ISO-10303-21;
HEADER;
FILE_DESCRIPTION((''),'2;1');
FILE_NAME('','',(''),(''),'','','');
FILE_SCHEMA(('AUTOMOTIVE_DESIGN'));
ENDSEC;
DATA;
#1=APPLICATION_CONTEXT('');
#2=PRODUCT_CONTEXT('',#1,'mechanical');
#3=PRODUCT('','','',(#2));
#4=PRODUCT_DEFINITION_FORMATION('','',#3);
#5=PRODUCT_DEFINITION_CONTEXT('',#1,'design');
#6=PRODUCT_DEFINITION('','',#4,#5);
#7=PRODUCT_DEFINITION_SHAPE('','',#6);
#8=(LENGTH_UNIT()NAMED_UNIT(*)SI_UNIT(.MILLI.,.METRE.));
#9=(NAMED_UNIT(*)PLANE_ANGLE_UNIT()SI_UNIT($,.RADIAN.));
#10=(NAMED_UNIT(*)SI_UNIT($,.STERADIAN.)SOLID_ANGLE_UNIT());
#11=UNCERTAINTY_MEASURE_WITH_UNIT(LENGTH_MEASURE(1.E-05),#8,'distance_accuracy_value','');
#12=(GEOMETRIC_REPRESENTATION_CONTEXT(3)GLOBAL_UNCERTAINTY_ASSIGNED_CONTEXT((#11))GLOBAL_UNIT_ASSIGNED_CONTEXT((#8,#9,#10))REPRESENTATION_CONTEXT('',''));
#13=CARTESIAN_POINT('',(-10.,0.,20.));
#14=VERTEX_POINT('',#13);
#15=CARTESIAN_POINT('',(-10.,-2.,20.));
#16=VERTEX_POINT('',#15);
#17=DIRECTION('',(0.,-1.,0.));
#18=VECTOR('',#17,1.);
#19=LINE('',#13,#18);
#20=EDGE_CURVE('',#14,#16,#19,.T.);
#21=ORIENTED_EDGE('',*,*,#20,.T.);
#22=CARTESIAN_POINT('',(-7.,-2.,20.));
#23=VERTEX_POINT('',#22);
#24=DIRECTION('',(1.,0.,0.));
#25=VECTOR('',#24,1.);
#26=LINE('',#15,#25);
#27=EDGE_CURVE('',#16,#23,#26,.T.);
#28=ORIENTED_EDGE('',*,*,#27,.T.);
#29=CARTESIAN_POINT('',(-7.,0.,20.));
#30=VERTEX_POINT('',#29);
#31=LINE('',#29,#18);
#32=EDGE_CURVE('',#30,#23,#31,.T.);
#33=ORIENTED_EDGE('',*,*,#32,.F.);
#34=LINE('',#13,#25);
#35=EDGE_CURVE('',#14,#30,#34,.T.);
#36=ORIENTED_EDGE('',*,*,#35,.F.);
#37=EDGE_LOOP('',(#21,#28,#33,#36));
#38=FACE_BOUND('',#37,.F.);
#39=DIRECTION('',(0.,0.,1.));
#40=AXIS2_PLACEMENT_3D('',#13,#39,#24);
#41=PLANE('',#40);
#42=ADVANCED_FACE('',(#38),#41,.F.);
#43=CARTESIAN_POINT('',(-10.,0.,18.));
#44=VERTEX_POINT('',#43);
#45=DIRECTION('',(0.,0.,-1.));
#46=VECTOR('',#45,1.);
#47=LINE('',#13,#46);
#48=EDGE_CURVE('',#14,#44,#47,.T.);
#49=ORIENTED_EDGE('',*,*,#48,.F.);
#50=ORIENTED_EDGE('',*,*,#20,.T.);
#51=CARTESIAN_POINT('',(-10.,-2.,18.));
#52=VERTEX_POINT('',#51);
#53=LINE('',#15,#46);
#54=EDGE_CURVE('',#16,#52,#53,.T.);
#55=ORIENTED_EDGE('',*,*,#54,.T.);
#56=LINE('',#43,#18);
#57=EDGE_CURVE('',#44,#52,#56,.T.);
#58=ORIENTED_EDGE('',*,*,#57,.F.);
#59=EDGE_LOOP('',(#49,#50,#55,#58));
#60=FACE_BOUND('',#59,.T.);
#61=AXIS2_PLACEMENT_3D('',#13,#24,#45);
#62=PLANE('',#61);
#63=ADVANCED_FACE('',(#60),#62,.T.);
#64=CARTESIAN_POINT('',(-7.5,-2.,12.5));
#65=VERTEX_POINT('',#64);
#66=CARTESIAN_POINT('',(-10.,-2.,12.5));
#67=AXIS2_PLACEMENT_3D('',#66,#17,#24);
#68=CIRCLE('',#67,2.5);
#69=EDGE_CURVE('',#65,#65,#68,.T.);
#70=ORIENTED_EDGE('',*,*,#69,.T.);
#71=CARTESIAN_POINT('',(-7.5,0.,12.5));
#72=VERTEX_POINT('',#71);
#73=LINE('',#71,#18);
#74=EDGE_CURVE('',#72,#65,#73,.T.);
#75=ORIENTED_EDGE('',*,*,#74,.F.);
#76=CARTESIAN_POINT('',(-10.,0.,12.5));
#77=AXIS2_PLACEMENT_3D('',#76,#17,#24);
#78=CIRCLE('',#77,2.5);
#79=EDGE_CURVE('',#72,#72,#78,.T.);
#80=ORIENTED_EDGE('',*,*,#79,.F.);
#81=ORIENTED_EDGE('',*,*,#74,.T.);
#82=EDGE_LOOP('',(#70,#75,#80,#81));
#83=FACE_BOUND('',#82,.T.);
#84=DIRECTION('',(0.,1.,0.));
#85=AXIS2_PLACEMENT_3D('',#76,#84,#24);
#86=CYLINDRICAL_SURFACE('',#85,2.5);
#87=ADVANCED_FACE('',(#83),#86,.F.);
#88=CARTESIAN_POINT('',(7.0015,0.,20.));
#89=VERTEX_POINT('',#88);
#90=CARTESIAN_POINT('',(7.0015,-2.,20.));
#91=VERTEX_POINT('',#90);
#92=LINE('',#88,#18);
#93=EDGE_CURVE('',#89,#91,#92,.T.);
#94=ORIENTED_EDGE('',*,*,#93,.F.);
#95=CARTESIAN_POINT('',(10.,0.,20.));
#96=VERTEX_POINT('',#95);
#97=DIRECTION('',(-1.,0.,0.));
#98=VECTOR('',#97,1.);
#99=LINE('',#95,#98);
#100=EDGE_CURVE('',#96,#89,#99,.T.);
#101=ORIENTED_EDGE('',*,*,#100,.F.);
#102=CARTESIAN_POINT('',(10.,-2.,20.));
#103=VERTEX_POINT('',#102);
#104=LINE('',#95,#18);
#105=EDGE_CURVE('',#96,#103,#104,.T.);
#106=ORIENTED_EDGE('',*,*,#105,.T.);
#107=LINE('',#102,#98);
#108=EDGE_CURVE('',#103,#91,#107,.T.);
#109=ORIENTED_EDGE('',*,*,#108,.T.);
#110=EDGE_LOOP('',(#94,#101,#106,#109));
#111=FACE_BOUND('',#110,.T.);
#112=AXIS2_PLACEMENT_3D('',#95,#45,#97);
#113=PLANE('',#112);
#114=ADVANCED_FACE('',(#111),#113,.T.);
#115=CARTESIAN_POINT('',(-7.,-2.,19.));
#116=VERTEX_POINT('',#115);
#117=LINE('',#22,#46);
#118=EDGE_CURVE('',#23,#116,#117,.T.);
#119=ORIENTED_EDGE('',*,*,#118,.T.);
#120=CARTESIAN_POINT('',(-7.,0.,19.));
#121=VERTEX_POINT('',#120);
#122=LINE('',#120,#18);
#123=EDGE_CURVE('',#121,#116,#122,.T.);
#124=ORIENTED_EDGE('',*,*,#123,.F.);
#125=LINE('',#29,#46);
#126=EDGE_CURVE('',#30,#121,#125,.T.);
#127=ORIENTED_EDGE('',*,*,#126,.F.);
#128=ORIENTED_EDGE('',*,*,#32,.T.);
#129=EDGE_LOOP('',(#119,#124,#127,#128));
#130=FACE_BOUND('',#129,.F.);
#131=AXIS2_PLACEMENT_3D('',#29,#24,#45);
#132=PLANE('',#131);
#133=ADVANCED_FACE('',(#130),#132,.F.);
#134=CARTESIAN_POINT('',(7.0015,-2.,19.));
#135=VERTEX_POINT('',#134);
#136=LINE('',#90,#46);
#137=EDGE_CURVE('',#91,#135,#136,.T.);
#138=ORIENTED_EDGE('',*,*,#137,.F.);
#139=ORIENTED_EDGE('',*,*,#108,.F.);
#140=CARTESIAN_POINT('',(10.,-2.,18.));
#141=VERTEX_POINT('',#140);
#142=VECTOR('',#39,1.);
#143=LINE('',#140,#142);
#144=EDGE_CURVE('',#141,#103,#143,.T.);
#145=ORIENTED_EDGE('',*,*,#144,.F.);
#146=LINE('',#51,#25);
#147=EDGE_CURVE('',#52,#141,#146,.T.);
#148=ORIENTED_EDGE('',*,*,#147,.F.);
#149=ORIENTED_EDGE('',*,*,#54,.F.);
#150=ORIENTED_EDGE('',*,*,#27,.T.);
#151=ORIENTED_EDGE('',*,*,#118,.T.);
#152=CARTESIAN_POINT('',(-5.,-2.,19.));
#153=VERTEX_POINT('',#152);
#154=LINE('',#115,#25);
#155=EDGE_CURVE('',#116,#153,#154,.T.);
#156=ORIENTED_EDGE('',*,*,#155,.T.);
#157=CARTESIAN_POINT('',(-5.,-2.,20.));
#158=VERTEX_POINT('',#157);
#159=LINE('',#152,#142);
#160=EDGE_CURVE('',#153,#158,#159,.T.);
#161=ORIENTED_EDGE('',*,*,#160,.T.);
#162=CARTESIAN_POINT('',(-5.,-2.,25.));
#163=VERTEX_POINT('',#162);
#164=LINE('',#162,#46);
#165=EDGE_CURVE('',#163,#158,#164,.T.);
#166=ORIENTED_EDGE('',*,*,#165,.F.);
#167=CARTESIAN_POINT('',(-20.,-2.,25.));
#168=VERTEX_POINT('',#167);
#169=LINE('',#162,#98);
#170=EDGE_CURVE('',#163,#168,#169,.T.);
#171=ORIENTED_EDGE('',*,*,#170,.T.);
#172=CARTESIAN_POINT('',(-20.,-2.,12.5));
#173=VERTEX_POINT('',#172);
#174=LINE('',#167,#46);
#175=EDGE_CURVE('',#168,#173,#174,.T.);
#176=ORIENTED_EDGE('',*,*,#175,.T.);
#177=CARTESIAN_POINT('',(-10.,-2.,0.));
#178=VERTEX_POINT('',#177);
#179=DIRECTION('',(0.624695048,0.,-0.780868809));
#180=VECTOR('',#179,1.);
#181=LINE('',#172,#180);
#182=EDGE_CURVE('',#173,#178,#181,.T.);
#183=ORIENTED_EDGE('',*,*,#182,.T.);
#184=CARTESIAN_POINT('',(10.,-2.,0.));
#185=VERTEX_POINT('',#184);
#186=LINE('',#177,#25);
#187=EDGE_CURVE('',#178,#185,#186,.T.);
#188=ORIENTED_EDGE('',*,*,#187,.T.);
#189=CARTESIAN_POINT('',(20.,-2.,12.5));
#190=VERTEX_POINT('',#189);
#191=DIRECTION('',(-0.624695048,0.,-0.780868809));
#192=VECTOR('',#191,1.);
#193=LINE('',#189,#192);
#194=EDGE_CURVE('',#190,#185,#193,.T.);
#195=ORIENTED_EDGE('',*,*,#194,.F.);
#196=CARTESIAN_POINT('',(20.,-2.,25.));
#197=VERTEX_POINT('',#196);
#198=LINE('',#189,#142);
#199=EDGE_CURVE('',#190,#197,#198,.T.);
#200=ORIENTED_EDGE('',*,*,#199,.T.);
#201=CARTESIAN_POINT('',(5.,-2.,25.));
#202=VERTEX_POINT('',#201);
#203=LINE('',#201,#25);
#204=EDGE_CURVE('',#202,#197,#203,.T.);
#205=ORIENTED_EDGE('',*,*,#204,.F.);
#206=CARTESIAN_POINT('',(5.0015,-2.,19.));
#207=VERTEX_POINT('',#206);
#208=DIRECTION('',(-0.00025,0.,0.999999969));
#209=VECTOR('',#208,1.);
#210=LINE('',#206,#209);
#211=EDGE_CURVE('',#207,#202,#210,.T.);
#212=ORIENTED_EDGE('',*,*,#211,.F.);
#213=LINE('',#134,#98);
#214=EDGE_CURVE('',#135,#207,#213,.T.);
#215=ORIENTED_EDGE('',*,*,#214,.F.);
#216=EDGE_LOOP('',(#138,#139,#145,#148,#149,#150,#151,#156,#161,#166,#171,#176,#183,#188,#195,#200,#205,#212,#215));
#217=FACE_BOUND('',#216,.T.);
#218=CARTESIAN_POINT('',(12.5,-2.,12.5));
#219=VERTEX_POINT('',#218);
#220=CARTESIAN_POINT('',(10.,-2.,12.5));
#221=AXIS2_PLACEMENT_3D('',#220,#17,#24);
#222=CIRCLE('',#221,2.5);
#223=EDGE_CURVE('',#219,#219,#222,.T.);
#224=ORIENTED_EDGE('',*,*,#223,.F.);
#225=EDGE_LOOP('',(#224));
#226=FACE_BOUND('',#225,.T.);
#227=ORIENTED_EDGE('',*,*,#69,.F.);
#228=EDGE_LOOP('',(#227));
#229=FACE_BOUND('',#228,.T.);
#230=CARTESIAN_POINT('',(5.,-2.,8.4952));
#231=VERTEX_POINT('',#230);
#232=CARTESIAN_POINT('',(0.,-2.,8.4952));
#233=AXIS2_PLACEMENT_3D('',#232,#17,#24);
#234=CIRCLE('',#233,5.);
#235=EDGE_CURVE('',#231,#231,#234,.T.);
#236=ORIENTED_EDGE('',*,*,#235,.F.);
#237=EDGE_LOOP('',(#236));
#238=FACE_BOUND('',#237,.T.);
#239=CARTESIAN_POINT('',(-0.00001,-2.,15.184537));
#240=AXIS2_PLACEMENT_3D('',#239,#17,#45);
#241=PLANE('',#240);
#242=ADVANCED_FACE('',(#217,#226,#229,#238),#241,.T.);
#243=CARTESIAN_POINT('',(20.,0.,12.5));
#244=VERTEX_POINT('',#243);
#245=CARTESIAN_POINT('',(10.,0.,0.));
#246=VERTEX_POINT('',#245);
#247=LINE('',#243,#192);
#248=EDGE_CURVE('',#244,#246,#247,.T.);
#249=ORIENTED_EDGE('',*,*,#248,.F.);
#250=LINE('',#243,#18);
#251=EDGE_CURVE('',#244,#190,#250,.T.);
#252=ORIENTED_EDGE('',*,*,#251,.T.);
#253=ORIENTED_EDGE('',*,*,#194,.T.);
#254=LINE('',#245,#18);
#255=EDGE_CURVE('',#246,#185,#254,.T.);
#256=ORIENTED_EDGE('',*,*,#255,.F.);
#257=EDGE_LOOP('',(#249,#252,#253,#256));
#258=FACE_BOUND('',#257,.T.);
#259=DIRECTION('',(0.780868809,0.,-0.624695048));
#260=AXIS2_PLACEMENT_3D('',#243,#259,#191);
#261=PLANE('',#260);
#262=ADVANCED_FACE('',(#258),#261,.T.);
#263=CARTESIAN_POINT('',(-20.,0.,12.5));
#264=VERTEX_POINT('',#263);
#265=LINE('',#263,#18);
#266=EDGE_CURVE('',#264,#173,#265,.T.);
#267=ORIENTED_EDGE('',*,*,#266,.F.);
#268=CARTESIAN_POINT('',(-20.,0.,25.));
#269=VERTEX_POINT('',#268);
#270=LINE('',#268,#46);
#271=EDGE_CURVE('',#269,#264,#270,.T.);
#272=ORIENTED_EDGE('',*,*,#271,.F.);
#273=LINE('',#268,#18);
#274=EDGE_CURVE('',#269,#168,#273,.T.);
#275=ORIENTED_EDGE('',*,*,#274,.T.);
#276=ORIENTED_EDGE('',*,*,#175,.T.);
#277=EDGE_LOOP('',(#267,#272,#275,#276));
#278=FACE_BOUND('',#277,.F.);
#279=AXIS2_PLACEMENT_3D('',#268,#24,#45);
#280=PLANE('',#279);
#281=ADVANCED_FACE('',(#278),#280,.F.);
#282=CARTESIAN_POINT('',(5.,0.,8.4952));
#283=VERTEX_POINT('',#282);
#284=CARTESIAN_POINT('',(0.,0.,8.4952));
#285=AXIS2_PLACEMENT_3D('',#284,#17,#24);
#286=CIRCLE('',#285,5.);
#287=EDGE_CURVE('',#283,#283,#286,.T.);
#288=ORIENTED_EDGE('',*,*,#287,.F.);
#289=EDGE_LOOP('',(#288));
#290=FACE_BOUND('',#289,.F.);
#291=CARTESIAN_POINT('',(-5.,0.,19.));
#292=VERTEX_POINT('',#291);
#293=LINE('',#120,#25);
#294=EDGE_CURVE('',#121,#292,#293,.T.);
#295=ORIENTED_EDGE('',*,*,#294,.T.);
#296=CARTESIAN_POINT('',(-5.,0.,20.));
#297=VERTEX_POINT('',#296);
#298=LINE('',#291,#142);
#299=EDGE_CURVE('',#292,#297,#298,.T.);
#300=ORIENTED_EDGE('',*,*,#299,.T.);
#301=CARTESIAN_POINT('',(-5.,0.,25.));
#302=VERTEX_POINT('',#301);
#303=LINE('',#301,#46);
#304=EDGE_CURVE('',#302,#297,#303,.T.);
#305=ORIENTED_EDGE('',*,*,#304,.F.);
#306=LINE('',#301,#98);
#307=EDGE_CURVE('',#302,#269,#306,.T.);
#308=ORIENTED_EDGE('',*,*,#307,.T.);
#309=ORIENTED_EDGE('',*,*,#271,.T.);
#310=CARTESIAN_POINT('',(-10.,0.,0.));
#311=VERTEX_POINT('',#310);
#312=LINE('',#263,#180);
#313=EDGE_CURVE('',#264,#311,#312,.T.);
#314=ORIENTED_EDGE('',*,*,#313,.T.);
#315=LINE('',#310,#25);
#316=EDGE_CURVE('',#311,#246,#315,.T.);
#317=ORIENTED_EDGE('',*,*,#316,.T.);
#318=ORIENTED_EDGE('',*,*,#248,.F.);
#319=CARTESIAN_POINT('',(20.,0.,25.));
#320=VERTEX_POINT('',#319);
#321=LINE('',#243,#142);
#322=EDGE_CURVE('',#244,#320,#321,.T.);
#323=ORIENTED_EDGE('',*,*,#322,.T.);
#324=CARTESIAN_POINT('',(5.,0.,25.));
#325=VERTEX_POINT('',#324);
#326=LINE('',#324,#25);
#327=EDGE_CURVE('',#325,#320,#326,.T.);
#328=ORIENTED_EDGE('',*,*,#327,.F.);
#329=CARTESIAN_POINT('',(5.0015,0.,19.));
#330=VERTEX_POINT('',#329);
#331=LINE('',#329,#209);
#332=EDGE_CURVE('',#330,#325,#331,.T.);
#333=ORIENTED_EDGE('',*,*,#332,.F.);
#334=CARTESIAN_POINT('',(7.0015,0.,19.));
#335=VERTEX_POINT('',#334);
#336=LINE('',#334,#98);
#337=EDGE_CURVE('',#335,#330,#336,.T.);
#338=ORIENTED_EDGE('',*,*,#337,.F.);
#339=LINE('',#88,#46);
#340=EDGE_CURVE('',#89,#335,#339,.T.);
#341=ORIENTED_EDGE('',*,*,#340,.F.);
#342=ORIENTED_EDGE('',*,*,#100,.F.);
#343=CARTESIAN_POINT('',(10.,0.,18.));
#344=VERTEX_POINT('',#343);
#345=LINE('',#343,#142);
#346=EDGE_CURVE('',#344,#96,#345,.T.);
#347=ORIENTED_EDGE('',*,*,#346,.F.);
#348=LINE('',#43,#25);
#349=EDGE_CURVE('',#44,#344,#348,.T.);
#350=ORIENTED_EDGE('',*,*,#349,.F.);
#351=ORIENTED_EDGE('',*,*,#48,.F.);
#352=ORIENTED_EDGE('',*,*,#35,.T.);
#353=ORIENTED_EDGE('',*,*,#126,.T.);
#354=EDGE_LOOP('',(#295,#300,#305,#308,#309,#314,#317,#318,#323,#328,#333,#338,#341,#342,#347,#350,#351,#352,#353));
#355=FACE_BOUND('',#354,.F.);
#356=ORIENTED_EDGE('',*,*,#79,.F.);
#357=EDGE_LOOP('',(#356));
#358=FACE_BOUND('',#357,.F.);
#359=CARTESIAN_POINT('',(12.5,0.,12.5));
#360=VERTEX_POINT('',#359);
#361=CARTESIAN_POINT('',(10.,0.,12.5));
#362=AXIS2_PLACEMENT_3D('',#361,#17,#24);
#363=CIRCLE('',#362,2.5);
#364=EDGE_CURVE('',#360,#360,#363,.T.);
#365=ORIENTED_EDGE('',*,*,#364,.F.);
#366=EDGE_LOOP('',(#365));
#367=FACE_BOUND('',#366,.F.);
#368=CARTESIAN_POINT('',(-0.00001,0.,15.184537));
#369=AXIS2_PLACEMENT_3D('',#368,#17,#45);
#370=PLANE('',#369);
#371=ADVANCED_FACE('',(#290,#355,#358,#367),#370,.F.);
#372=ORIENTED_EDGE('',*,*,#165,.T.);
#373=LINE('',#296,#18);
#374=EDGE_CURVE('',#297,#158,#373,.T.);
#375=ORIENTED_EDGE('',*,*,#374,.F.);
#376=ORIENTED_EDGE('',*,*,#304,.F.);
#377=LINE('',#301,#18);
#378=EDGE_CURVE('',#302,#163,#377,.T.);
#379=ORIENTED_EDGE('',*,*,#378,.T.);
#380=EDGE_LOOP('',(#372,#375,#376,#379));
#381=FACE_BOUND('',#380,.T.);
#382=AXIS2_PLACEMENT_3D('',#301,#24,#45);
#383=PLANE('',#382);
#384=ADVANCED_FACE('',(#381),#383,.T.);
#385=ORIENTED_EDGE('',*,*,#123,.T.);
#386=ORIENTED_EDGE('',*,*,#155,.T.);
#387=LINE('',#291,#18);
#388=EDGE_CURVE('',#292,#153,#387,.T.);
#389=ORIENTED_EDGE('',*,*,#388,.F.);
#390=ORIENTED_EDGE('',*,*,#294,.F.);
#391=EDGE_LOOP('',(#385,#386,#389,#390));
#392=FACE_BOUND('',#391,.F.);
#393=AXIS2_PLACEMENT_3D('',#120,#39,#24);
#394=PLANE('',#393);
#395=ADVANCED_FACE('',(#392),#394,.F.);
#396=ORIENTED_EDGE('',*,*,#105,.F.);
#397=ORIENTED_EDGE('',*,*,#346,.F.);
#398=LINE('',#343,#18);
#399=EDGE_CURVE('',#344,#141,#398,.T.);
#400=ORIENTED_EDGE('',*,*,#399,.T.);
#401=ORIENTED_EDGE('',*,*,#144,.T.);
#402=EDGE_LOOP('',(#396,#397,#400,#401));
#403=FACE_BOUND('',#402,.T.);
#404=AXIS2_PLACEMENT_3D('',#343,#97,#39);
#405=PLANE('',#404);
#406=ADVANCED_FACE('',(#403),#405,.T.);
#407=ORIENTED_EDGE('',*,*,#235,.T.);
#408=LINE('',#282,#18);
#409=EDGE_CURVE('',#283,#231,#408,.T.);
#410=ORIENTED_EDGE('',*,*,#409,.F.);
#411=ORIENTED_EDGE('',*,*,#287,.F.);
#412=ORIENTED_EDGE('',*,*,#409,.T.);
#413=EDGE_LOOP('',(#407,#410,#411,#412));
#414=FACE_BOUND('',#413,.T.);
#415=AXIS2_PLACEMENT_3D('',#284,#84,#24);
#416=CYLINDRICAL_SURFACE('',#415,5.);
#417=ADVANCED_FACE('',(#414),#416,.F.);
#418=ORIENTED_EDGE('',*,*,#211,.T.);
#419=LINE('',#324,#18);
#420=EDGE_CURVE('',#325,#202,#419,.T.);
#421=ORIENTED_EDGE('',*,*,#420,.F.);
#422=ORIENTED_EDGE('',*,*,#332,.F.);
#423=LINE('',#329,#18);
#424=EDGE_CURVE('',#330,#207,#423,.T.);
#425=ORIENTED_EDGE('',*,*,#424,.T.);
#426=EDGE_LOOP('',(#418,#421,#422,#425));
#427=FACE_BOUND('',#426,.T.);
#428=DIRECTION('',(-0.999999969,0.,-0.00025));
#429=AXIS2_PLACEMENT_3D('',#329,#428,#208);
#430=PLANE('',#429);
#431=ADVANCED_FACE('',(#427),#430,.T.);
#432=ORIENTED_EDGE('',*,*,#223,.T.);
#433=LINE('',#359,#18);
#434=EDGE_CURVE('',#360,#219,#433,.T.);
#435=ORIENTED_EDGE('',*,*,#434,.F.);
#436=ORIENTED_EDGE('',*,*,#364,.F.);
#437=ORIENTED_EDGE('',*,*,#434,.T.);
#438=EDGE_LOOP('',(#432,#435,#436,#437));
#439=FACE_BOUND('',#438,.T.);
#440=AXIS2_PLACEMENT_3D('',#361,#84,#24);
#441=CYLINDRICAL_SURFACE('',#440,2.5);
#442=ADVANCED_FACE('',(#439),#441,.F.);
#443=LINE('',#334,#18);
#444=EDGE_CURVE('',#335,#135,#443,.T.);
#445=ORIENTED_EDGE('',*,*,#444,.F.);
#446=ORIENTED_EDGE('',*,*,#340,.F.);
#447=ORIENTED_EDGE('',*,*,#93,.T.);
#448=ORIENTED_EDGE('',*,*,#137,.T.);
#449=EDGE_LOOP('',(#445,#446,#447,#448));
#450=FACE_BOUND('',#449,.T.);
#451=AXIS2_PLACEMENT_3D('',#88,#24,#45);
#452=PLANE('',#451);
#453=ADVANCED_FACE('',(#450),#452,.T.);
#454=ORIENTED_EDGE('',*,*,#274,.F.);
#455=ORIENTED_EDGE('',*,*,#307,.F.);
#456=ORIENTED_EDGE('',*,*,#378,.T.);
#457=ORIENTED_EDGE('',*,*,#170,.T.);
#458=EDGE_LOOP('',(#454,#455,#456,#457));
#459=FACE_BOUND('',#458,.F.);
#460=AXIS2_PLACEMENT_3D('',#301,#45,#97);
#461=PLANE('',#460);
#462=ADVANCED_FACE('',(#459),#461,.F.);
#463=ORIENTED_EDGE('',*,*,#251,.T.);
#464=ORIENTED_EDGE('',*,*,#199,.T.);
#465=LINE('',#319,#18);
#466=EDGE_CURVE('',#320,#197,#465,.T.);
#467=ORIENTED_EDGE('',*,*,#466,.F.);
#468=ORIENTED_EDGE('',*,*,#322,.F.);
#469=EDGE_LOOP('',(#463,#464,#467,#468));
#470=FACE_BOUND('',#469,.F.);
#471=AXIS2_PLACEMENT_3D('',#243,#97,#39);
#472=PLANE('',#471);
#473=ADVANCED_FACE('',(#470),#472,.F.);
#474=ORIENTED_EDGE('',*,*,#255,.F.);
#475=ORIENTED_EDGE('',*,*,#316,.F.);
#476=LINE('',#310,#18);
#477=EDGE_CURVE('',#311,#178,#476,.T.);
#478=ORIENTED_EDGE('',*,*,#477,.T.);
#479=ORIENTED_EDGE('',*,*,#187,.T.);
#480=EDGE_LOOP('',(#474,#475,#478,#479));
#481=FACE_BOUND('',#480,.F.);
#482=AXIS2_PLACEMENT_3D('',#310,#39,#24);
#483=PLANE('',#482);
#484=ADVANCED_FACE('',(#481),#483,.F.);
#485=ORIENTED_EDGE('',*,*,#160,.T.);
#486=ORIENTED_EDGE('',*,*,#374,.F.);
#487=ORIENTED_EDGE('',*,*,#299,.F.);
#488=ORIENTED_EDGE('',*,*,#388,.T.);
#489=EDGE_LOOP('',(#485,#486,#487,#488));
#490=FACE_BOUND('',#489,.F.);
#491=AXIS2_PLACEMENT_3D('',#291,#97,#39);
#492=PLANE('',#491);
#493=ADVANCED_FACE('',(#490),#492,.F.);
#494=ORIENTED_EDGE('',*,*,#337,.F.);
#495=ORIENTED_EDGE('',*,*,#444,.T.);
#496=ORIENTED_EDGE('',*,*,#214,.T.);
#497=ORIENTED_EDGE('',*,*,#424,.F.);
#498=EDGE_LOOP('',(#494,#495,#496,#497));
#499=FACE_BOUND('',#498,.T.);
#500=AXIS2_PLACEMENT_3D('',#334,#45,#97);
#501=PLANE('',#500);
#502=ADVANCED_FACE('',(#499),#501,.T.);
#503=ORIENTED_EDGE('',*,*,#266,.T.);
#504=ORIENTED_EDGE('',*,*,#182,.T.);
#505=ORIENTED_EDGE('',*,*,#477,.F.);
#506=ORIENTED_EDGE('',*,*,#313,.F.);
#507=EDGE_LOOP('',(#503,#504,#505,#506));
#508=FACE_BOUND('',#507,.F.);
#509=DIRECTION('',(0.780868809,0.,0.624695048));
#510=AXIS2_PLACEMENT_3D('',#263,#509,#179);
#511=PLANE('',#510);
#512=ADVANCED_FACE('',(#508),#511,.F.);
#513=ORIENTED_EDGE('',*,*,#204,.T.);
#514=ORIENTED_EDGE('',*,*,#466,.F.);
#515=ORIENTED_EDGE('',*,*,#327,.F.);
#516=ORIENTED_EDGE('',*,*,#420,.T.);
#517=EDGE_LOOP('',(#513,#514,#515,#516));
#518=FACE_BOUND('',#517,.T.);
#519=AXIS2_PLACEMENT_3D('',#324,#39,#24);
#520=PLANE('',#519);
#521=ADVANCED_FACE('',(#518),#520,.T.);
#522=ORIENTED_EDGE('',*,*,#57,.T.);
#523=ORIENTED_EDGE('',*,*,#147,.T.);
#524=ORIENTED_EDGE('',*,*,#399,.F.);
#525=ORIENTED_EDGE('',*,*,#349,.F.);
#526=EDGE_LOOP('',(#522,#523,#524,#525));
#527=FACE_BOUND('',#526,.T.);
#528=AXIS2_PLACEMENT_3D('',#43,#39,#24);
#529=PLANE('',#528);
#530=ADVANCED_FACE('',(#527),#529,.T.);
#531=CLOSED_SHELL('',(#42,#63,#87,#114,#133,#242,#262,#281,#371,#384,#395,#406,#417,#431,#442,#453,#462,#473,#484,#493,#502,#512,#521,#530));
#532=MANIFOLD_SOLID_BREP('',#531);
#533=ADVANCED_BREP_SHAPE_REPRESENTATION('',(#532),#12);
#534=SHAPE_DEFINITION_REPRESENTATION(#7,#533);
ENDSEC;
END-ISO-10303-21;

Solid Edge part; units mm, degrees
sketch "Sketch1" plane through (0, 0, 0) normal (0, -1, 0) x (1, 0, 0)
  line L0 (20, 12.5) -> (20, 25)
  line L1 (5, 25) -> (20, 25)
  line L2 (5.0015, 19) -> (5, 25)
  line L3 (7.0015, 19) -> (5.0015, 19)
  line L4 (7.0015, 20) -> (7.0015, 19)
  line L5 (10, 20) -> (7.0015, 20)
  line L6 (10, 18) -> (10, 20)
  line L7 (-10, 18) -> (10, 18)
  line L8 (-10, 20) -> (-10, 18)
  line L9 (-10, 20) -> (-7, 20)
  line L10 (-7, 20) -> (-7, 19)
  line L11 (-7, 19) -> (-5, 19)
  line L12 (-5, 19) -> (-5, 20)
  line L13 (-5, 25) -> (-5, 20)
  line L14 (-5, 25) -> (-20, 25)
  line L15 (-20, 25) -> (-20, 12.5)
  line L16 (-20, 12.5) -> (-10, 0)
  line L17 (-10, 0) -> (-10, 0) construction
  line L18 (-10, 0) -> (10, 0)
  line L19 (10, 0) -> (10, 0) construction
  line L20 (20, 12.5) -> (10, 0)
  circle A0 centre (0, 8.4952) radius 5
  circle A1 centre (10, 12.5) radius 2.5
  circle A2 centre (-10, 12.5) radius 2.5
  dimension "D1" = 10
  dimension "D2" = 5
  dimension "D3" = 5
  dimension "D4" = 3
  dimension "D5" = 1
  dimension "D6" = 2
  dimension "D7" = 1
extrude "ExtrudedProtrusion_1" add sketch "Sketch1" along normal blind 2
properties material "Acrylic, high impact grade"
